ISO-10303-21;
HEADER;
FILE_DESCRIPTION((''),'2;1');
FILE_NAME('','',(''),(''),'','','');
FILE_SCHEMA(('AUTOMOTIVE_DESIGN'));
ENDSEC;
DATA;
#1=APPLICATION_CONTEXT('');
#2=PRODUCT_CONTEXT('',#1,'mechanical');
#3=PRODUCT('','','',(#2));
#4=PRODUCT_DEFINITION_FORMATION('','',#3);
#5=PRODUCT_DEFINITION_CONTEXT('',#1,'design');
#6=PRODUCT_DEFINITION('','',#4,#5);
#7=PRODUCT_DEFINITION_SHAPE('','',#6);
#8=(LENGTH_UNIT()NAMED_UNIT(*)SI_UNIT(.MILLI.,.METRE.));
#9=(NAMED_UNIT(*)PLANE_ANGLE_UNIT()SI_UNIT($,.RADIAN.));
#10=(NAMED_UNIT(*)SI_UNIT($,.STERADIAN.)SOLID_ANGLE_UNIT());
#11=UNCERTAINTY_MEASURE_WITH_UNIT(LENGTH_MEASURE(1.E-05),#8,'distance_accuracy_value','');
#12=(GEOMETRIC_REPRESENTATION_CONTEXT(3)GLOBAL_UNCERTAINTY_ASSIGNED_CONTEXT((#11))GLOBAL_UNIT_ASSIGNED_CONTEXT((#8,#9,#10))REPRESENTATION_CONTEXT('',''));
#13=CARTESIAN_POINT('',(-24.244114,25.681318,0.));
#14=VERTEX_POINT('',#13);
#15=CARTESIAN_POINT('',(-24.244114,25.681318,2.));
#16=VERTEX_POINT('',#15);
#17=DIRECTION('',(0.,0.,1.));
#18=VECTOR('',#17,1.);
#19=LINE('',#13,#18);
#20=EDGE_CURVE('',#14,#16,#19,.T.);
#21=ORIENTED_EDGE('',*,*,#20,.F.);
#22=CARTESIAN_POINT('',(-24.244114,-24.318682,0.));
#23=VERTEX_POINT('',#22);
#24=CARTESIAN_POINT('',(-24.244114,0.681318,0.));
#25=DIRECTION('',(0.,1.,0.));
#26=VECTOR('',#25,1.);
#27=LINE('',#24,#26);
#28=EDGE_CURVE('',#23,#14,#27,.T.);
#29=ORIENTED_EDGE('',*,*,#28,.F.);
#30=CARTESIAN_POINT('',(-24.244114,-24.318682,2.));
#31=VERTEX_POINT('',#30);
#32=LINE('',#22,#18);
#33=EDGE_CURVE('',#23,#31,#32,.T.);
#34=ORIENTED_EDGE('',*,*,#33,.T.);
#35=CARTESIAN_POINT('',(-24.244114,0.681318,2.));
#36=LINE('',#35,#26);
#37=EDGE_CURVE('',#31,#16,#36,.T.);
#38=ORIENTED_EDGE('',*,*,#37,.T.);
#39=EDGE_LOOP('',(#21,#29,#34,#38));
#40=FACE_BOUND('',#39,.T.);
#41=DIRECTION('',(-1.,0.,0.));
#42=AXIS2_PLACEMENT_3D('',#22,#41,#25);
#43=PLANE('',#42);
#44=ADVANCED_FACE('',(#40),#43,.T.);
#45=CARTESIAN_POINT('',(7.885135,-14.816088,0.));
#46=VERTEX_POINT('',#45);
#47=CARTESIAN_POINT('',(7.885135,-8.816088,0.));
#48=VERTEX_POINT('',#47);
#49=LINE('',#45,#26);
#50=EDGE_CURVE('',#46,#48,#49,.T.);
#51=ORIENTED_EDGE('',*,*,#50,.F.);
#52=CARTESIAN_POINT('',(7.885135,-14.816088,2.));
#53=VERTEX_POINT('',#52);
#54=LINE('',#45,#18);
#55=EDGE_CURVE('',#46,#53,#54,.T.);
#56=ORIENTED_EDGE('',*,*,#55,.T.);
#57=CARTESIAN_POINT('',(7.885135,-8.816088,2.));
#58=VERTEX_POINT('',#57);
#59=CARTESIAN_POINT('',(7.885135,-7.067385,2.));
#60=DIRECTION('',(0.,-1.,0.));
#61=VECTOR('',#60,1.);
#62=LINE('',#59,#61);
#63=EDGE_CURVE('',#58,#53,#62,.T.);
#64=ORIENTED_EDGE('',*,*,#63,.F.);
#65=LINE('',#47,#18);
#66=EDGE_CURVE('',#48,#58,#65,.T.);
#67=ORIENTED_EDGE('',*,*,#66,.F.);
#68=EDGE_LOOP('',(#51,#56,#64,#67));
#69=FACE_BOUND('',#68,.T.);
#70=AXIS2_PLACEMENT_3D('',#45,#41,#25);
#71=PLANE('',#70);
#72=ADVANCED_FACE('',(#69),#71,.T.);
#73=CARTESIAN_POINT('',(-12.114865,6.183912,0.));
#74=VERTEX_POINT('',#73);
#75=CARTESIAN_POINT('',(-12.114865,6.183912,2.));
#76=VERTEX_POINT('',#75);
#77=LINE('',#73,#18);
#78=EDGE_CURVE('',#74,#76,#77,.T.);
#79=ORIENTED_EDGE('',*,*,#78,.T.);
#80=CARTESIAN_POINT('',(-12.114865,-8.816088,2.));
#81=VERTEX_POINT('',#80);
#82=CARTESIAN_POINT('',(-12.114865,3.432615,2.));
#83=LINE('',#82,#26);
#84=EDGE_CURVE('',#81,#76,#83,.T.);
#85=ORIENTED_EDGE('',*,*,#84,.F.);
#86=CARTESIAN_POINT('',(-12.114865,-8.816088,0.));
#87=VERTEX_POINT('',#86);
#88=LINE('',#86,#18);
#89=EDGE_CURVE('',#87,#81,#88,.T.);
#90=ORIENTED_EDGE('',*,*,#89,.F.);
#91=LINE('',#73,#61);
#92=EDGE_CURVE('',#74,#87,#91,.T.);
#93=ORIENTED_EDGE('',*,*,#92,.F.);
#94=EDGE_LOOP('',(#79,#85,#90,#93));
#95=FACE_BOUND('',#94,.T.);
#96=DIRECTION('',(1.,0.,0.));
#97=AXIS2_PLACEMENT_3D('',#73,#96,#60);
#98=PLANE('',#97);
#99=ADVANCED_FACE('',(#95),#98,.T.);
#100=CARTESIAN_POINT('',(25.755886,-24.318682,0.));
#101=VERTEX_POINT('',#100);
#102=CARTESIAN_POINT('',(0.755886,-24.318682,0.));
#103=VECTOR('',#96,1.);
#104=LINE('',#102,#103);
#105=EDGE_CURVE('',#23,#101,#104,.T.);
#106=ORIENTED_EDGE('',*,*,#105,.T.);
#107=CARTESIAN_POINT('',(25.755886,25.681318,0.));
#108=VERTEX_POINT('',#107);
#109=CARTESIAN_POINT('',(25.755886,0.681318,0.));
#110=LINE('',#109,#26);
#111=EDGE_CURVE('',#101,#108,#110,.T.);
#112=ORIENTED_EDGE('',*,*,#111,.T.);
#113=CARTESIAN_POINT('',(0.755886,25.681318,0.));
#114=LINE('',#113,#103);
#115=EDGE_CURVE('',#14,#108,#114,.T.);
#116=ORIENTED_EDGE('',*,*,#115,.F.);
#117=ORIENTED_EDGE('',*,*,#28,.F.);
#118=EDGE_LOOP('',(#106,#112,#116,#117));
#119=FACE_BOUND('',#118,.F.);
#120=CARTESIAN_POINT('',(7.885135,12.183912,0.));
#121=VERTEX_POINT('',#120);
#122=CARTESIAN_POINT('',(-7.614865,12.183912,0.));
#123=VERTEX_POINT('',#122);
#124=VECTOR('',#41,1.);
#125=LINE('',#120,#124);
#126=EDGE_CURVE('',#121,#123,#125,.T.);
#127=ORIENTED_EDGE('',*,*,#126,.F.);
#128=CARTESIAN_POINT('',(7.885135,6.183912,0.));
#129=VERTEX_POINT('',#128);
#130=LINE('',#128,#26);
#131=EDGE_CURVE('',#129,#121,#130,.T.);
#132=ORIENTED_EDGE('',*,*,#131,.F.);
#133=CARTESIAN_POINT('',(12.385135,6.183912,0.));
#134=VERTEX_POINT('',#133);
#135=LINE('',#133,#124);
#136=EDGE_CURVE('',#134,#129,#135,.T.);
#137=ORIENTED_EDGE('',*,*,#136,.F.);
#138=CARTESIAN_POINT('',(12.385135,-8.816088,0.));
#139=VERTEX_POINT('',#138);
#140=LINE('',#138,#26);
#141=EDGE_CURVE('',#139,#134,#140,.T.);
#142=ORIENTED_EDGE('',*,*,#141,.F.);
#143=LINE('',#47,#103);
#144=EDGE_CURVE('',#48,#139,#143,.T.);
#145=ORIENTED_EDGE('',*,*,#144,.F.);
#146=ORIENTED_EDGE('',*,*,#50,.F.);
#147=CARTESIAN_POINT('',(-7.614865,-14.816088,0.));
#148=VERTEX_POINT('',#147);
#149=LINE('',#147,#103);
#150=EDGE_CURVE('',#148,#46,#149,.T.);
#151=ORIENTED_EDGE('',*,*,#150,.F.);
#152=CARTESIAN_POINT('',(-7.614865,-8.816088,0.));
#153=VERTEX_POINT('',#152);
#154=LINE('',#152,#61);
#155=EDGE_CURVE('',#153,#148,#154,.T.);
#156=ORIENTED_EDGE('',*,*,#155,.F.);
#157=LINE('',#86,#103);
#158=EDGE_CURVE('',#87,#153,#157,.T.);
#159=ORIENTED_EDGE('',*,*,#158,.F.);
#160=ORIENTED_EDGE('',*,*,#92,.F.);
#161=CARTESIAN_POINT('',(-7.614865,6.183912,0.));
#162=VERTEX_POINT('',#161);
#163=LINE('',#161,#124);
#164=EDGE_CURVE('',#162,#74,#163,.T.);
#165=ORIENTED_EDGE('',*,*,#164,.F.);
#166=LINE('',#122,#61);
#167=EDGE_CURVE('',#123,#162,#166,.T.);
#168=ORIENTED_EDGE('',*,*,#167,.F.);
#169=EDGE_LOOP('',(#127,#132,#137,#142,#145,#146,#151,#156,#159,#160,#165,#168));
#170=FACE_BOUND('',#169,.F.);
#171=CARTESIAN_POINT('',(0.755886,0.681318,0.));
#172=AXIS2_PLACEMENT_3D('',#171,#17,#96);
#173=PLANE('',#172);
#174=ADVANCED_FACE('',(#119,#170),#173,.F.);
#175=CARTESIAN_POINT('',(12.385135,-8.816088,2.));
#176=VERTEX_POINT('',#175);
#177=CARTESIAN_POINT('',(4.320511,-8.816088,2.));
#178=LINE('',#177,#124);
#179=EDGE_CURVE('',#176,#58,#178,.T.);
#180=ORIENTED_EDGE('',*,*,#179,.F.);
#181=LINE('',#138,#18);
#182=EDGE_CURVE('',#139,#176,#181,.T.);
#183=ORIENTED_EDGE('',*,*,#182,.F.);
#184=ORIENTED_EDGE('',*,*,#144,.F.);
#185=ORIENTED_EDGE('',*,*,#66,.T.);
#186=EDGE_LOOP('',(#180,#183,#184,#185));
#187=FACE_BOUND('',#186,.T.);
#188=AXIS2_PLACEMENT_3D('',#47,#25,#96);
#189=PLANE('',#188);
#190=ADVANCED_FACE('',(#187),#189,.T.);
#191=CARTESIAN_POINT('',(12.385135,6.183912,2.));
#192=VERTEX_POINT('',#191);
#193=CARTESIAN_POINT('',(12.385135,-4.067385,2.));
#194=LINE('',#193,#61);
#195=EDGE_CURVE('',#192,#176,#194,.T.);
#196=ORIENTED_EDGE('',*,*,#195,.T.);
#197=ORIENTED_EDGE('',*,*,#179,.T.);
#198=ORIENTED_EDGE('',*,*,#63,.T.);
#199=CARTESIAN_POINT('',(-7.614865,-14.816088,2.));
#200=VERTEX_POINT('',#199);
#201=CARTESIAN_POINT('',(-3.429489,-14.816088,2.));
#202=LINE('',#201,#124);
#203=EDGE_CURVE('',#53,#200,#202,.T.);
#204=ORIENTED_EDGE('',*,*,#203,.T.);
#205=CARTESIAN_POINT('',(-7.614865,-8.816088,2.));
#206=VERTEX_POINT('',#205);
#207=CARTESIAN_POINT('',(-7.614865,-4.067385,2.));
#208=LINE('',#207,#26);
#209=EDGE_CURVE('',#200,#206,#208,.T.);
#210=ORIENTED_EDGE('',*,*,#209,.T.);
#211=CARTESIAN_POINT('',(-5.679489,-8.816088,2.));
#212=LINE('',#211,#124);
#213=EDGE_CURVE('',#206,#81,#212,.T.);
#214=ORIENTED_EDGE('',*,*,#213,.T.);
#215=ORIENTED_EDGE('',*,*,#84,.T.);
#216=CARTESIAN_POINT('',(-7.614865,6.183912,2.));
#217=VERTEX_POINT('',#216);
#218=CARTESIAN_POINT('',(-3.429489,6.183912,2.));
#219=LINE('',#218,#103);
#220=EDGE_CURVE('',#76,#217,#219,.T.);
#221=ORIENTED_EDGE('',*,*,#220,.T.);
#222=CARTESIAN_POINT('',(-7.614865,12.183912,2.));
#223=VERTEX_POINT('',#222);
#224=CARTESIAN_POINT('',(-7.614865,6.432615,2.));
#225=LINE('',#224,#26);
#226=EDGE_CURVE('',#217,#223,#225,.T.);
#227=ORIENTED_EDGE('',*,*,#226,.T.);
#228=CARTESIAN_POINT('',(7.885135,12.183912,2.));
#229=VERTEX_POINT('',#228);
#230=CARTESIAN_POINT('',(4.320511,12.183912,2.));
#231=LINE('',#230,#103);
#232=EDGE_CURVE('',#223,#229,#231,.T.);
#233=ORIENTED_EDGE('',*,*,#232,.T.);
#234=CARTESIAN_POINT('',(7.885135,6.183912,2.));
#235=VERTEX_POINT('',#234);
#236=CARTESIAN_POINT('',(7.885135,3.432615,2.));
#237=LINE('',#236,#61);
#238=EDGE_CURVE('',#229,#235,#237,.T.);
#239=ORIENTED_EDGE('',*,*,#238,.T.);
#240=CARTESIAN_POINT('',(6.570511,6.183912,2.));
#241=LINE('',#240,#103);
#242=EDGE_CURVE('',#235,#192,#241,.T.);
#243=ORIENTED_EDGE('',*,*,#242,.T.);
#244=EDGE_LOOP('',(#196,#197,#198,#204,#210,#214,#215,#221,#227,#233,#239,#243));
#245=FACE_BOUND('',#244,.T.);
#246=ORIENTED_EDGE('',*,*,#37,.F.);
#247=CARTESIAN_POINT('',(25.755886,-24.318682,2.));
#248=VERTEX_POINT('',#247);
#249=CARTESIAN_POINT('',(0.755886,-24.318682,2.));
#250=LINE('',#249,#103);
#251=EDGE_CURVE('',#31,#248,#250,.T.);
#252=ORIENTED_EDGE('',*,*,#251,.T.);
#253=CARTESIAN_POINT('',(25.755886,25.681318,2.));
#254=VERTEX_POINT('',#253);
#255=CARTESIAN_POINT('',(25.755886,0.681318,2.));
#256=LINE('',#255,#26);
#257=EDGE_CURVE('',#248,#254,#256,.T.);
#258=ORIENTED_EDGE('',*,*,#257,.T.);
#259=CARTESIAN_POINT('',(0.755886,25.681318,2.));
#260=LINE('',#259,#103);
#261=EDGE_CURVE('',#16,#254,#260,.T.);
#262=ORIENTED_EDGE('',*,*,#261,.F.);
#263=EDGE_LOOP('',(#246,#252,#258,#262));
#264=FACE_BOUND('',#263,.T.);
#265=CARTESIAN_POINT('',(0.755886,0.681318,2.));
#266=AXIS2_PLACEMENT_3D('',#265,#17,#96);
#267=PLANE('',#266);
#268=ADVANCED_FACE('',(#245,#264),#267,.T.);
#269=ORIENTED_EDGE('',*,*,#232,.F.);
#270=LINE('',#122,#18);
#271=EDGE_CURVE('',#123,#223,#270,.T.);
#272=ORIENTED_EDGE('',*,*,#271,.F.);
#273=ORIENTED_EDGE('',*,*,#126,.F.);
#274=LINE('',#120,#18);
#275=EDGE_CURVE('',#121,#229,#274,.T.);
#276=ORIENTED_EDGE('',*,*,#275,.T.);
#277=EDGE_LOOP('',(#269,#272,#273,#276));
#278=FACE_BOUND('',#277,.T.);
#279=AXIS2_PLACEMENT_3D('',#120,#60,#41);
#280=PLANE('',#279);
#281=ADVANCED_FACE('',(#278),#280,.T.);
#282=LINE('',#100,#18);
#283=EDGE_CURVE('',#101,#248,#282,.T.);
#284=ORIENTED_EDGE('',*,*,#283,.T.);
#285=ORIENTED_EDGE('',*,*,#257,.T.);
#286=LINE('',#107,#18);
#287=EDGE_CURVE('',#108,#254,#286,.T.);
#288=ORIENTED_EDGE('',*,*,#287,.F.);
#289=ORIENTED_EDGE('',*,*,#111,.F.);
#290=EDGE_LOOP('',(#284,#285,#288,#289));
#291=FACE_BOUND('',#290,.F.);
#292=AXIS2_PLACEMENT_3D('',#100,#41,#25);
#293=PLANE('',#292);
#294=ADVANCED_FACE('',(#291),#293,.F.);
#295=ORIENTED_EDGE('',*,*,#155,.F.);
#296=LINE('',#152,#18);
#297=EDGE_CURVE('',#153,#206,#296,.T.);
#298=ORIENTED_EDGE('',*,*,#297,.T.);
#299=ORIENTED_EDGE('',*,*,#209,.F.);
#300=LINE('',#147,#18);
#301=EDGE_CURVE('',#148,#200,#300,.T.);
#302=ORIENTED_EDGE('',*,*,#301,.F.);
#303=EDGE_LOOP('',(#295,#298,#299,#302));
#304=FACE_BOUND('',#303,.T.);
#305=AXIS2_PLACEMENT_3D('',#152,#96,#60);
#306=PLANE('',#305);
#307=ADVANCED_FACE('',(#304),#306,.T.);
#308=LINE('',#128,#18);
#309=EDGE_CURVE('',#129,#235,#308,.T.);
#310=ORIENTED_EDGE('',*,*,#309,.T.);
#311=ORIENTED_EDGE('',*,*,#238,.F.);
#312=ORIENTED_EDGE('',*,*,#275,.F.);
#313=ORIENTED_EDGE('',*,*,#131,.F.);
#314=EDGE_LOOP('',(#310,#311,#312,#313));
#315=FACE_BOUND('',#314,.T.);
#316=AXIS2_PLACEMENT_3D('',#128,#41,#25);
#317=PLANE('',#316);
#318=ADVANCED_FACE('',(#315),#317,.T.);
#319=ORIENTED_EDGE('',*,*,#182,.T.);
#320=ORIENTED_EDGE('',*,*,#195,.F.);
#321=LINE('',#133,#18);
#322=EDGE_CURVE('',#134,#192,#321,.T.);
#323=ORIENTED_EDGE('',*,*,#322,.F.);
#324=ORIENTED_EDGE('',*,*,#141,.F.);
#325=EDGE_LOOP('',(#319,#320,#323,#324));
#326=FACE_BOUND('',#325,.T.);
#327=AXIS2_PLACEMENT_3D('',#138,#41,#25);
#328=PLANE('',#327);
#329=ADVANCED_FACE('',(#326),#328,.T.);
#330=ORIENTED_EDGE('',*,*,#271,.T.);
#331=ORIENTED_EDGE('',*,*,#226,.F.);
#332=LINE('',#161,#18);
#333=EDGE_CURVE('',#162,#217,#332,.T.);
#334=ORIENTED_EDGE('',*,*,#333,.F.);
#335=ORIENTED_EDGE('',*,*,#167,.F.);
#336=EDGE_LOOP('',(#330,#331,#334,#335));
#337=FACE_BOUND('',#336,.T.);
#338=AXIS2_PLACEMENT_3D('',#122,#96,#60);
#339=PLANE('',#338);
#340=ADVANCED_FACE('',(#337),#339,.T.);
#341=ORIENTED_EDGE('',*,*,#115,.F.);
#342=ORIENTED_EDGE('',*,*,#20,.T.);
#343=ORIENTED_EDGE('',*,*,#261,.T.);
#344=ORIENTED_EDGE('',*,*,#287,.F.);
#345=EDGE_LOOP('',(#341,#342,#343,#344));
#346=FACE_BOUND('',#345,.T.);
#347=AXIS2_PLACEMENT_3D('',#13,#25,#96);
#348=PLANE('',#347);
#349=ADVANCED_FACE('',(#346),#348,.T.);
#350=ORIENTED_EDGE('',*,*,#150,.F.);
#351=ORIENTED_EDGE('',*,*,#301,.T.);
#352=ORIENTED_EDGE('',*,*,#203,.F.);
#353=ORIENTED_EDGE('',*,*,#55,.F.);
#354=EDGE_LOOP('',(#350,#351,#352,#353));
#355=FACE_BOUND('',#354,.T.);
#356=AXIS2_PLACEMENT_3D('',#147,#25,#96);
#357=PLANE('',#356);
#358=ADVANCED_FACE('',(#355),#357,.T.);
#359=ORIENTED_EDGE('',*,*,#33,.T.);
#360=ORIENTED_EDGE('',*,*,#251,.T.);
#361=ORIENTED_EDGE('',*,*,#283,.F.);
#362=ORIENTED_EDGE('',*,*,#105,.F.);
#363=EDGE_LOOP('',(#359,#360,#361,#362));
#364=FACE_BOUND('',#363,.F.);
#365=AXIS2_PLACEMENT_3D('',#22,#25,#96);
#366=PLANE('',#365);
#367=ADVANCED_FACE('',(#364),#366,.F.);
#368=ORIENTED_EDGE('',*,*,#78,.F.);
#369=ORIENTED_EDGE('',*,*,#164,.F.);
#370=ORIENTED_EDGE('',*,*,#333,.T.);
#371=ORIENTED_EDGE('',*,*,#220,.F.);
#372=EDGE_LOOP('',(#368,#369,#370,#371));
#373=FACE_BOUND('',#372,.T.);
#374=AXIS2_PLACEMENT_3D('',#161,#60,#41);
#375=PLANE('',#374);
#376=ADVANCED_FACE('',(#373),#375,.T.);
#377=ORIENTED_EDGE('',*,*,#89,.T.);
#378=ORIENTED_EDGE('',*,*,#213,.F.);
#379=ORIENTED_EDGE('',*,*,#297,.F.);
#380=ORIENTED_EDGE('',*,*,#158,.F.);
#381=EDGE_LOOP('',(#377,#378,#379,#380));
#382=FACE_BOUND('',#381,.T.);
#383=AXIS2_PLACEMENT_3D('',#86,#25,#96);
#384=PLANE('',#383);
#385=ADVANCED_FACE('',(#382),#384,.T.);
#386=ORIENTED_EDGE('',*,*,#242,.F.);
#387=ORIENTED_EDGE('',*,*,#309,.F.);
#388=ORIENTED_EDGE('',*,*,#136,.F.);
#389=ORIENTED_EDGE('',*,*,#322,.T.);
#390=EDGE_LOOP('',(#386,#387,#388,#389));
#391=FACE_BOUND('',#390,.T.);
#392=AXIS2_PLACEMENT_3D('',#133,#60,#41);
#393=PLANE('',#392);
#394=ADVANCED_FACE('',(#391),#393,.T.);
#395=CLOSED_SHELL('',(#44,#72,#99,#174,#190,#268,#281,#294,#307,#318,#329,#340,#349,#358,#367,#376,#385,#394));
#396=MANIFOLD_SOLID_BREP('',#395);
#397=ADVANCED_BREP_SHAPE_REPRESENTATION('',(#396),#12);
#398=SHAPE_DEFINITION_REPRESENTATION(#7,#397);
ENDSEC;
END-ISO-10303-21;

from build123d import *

# Parameters (mm, degrees)
F0_W     = 50
F0_H     = 50
F1_DEPTH = 2
F3_DEPTH = 25


with BuildPart() as f1:
    # F0 (on Top) → F1 (new body)
    with BuildSketch(Plane.XY):
        with Locations((0.755886, 0.681318)):
            Rectangle(F0_W, F0_H)
    extrude(amount=F1_DEPTH)


with BuildPart() as f3:
    # F2 (on Top) → F3 (new body)
    with BuildSketch(Plane.XY):
        Polygon((7.885135, 12.183912), (-7.614865, 12.183912), (-7.614865, 6.183912), (-12.114865, 6.183912), (-12.114865, -8.816088), (-7.614865, -8.816088), (-7.614865, -14.816088), (7.885135, -14.816088), (7.885135, -8.816088), (12.385135, -8.816088), (12.385135, 6.183912), (7.885135, 6.183912), align=None)
    extrude(amount=F3_DEPTH)


with BuildPart() as f1_1:
    add(f1.part)

    # F4: cut F3
    add(f3.part, mode=Mode.SUBTRACT)


solid = f1_1.part
